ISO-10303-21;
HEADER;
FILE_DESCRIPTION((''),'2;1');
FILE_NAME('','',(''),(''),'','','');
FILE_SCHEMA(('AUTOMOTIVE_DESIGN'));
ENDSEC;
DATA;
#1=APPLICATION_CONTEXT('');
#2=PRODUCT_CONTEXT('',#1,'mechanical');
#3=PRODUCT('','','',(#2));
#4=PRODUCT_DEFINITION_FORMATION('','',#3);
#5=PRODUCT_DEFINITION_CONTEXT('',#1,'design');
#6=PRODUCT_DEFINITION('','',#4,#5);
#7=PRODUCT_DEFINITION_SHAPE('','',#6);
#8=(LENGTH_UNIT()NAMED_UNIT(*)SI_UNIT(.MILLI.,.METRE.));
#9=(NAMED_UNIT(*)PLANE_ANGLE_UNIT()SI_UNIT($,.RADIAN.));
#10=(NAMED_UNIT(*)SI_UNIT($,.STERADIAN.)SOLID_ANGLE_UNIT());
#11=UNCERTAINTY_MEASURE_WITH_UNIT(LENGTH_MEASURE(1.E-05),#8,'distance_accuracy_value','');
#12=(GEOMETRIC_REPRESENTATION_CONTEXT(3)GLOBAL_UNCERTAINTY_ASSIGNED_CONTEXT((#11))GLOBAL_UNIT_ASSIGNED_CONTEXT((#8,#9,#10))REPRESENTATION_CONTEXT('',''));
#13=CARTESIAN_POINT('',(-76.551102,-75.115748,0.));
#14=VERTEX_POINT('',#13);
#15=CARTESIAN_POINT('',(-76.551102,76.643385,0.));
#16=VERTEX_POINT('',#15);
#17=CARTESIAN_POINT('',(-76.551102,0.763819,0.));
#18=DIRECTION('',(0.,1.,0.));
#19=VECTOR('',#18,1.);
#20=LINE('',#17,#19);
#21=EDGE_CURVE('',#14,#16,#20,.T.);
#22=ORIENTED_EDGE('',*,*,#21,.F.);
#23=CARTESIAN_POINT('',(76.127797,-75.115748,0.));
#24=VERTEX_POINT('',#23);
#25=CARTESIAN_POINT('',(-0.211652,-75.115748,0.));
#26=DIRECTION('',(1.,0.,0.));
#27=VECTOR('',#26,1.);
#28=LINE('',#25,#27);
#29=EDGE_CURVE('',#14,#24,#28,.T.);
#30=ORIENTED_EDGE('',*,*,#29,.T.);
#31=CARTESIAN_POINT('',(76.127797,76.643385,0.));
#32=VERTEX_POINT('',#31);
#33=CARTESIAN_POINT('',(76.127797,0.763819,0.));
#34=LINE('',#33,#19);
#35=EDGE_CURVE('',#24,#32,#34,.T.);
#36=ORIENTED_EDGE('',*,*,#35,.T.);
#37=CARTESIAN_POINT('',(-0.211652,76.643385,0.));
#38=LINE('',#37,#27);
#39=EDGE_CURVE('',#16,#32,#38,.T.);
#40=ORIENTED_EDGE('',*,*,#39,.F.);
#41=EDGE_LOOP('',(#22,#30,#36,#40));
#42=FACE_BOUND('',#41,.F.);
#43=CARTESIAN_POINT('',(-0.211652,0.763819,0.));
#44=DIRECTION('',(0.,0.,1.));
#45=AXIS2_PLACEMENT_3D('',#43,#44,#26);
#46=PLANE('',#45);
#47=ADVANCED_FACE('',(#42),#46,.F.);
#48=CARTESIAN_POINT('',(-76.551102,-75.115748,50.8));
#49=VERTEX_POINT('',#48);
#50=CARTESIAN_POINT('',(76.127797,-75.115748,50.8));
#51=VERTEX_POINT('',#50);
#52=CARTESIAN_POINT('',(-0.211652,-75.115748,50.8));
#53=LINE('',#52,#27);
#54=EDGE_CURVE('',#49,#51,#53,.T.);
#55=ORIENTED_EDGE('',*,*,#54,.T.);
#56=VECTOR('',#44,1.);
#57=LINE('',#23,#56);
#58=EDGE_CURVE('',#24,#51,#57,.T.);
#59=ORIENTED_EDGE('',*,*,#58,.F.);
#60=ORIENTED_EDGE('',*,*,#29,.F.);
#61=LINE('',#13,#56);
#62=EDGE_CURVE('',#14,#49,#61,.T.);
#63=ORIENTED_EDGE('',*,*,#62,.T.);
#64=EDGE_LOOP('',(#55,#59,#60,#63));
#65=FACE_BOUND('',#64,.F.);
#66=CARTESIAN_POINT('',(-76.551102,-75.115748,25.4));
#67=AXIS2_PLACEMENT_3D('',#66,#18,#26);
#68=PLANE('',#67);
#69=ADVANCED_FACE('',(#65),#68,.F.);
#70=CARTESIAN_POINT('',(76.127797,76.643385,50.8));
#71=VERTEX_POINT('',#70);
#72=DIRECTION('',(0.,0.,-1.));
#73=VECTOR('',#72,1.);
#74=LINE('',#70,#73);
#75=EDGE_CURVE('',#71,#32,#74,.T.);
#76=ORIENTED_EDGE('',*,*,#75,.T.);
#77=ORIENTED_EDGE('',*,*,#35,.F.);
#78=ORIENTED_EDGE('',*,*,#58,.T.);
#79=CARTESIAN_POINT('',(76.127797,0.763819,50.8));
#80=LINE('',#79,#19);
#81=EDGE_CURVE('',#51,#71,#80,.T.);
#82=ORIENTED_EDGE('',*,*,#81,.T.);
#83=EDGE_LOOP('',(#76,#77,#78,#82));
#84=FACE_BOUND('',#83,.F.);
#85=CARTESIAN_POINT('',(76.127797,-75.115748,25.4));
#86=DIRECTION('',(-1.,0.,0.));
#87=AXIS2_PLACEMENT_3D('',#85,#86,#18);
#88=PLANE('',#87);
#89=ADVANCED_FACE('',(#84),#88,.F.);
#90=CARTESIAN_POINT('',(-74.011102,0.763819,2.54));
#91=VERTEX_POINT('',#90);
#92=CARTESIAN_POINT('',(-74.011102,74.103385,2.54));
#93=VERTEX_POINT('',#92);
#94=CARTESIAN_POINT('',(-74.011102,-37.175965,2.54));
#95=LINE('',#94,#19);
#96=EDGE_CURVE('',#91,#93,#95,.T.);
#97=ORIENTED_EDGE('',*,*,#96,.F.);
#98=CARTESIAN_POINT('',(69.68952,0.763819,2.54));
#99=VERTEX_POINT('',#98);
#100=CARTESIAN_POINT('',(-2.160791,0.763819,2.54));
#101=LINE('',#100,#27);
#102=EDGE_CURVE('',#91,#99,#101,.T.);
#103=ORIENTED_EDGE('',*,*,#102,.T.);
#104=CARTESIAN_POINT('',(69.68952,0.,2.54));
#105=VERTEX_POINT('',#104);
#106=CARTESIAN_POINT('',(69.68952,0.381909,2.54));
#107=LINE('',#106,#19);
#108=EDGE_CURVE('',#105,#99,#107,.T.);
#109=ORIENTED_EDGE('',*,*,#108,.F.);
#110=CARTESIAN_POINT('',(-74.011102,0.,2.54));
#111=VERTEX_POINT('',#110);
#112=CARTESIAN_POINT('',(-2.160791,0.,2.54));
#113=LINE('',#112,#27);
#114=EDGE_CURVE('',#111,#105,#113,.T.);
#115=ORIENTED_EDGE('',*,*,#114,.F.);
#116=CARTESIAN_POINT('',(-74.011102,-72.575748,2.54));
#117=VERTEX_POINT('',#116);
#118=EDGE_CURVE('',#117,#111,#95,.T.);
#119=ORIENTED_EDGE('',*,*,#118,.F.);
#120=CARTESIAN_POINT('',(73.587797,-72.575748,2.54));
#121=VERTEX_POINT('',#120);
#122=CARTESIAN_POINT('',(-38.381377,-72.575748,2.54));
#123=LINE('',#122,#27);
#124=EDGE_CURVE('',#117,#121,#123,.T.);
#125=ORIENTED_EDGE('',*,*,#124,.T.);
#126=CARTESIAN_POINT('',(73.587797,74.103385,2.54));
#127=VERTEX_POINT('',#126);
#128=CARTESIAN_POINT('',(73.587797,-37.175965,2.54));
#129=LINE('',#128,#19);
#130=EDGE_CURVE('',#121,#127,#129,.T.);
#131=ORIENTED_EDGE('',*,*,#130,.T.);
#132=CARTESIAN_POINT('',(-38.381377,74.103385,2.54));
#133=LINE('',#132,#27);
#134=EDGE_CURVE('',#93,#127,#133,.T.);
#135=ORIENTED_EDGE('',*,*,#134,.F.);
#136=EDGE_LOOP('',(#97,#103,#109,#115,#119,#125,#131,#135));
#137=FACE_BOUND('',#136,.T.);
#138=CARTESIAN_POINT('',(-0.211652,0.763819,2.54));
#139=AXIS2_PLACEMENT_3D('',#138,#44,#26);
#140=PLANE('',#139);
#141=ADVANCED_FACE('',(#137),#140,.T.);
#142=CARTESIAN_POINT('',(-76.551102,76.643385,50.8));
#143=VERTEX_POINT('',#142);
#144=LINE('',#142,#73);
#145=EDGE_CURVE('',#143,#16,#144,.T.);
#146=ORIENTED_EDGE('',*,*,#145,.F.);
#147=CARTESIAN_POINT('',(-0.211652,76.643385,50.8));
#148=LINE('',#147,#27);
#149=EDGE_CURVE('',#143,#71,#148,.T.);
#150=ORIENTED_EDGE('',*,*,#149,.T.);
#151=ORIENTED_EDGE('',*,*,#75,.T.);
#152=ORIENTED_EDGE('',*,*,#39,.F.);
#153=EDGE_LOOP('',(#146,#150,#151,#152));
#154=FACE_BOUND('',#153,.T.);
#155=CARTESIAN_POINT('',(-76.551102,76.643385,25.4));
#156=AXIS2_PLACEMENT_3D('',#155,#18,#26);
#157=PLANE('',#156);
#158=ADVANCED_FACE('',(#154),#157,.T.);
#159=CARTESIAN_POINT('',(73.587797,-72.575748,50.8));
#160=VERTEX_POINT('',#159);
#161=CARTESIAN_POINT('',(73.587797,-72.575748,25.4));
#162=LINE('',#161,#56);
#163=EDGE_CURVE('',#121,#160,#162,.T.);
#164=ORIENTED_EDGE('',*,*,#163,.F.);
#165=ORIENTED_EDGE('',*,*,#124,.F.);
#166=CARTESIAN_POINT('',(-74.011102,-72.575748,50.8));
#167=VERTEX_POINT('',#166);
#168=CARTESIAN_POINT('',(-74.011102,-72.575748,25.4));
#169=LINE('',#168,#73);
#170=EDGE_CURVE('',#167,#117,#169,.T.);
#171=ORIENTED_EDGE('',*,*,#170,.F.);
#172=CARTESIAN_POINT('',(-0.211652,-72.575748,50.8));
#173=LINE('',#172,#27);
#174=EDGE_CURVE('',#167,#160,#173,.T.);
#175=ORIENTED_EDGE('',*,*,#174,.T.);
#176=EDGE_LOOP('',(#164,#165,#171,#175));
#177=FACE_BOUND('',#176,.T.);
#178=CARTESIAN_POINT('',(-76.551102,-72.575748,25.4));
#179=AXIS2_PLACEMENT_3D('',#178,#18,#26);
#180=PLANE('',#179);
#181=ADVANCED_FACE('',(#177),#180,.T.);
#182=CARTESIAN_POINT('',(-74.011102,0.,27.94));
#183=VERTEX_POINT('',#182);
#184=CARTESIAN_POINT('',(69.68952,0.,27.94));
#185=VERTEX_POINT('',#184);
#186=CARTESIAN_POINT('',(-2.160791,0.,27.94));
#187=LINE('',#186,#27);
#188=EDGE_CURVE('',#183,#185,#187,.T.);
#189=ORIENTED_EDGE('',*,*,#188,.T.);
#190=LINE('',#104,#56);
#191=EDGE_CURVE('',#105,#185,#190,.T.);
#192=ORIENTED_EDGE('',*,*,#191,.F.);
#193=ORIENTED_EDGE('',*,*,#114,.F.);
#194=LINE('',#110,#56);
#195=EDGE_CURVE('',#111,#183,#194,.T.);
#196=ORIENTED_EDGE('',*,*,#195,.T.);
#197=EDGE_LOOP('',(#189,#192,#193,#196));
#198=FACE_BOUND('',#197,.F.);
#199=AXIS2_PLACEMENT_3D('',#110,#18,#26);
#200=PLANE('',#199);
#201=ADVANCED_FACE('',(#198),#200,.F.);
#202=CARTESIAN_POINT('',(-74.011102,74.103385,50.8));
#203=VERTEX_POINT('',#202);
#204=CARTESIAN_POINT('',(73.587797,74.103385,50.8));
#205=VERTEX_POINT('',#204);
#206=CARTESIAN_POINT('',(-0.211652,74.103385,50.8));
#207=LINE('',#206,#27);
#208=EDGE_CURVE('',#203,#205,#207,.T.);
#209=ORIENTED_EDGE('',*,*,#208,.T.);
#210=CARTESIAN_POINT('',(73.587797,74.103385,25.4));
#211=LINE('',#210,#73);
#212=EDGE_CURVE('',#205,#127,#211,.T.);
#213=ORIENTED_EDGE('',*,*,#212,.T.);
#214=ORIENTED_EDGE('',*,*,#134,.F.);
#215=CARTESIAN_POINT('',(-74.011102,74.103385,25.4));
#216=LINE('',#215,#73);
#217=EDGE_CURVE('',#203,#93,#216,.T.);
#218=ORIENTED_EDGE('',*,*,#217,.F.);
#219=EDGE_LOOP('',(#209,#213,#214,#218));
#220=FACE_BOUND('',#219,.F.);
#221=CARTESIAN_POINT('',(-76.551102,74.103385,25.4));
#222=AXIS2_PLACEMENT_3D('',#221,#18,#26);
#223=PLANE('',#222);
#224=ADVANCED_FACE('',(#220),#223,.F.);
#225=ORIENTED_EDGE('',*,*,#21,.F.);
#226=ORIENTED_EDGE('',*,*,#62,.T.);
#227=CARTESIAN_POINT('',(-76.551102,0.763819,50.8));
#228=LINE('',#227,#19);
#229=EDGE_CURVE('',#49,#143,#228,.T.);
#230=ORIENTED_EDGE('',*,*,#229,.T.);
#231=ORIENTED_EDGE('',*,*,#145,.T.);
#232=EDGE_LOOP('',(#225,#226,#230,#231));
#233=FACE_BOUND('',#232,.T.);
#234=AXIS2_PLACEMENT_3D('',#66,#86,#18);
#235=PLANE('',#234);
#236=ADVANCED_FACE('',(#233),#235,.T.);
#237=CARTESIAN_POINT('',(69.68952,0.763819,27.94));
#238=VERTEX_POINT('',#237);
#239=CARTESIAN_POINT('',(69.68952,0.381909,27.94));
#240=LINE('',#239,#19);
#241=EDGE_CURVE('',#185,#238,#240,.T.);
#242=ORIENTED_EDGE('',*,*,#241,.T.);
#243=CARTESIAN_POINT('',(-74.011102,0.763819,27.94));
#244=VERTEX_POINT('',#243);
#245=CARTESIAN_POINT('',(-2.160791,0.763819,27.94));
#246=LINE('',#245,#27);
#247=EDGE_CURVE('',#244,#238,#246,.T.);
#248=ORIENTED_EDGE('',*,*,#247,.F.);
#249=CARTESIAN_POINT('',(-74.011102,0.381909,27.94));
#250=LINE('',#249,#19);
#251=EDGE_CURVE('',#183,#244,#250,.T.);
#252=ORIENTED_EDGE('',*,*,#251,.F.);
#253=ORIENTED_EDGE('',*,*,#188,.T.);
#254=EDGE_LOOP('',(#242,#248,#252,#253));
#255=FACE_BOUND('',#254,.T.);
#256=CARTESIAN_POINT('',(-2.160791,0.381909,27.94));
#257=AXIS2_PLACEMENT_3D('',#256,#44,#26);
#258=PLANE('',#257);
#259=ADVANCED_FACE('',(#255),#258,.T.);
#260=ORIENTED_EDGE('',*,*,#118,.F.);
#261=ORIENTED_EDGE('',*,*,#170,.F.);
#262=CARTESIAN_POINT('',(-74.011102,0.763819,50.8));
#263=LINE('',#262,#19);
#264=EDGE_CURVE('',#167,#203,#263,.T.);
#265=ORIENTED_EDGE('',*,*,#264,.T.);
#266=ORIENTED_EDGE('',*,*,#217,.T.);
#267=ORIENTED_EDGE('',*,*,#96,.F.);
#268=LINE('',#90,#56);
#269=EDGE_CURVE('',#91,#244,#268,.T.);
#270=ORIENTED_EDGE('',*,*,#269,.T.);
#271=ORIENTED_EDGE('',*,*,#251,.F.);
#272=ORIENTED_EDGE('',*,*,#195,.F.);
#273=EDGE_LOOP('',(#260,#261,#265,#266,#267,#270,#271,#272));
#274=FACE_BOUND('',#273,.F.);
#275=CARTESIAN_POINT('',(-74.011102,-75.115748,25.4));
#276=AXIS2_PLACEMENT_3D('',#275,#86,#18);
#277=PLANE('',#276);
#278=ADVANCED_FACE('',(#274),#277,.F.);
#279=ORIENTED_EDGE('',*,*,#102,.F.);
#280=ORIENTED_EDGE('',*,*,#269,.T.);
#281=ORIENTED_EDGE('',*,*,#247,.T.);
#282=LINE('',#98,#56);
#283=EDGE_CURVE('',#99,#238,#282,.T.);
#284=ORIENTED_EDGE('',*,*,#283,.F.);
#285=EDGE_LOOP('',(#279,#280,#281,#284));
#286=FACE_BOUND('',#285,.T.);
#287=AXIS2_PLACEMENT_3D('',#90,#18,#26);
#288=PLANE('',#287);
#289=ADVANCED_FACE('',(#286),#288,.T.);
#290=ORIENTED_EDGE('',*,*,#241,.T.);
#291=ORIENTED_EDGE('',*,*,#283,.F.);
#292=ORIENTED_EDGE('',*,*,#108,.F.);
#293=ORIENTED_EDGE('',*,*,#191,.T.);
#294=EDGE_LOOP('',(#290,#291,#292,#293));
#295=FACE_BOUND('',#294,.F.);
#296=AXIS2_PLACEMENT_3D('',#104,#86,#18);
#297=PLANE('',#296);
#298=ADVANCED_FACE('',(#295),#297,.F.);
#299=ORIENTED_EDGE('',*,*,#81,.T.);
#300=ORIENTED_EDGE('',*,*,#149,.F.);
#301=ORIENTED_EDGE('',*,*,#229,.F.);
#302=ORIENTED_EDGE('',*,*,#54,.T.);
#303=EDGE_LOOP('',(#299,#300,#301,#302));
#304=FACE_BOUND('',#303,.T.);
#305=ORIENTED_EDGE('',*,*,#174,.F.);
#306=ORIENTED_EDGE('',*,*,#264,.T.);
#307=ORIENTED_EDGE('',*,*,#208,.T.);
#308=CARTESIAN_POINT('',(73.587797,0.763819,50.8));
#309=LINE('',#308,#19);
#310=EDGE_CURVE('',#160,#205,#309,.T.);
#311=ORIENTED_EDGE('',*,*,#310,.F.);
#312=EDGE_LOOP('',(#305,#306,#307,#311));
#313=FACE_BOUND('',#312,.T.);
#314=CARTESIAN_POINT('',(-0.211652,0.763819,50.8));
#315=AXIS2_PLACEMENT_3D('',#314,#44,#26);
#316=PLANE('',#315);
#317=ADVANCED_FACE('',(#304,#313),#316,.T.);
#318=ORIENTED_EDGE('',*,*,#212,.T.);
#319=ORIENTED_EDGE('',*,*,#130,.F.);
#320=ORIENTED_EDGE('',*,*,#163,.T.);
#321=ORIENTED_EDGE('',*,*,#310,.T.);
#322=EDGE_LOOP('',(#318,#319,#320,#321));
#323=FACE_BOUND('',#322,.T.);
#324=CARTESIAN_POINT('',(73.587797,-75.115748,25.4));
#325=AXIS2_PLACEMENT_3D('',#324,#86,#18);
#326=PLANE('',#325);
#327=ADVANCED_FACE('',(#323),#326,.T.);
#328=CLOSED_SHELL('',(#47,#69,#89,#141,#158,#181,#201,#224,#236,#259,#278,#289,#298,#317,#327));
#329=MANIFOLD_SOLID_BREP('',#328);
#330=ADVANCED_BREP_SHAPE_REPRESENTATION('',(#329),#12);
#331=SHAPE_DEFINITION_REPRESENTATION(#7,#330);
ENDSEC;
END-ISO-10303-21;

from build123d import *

# Parameters (mm, degrees)
F0_W     = 152.678899467
F0_H     = 151.7591327429
F1_DEPTH = 25.4
F2_DEPTH = 25.4
F3_T     = -2.54
F4_W     = 143.7006218052
F4_H     = 0.7638186216
F5_DEPTH = 25.4


with BuildPart() as f1:
    # F0 (on Top) → F1 (new body)
    with BuildSketch(Plane.XY):
        with Locations((-0.2116523683, 0.7638186216)):
            Rectangle(F0_W, F0_H)
    extrude(amount=F1_DEPTH)

    # F2 (add): a face of the model
    f2_faces = [f1.faces().sort_by_distance(p)[0] for p in [
        (-0.2116523683, 0.7638186216, 25.4),
    ]]
    extrude(f2_faces, amount=F2_DEPTH)

    # F3
    f3_openings = [f1.faces().sort_by_distance(p)[0] for p in [
        (-0.211652, 0.763819, 50.8),
    ]]
    offset(amount=F3_T, openings=f3_openings)

    # F4 (on face) → F5 (join)
    with BuildSketch(Plane.XY.offset(2.54)):
        with Locations((-2.1607911992, 0.3819093108)):
            Rectangle(F4_W, F4_H)
    extrude(amount=F5_DEPTH)


solid = f1.part
